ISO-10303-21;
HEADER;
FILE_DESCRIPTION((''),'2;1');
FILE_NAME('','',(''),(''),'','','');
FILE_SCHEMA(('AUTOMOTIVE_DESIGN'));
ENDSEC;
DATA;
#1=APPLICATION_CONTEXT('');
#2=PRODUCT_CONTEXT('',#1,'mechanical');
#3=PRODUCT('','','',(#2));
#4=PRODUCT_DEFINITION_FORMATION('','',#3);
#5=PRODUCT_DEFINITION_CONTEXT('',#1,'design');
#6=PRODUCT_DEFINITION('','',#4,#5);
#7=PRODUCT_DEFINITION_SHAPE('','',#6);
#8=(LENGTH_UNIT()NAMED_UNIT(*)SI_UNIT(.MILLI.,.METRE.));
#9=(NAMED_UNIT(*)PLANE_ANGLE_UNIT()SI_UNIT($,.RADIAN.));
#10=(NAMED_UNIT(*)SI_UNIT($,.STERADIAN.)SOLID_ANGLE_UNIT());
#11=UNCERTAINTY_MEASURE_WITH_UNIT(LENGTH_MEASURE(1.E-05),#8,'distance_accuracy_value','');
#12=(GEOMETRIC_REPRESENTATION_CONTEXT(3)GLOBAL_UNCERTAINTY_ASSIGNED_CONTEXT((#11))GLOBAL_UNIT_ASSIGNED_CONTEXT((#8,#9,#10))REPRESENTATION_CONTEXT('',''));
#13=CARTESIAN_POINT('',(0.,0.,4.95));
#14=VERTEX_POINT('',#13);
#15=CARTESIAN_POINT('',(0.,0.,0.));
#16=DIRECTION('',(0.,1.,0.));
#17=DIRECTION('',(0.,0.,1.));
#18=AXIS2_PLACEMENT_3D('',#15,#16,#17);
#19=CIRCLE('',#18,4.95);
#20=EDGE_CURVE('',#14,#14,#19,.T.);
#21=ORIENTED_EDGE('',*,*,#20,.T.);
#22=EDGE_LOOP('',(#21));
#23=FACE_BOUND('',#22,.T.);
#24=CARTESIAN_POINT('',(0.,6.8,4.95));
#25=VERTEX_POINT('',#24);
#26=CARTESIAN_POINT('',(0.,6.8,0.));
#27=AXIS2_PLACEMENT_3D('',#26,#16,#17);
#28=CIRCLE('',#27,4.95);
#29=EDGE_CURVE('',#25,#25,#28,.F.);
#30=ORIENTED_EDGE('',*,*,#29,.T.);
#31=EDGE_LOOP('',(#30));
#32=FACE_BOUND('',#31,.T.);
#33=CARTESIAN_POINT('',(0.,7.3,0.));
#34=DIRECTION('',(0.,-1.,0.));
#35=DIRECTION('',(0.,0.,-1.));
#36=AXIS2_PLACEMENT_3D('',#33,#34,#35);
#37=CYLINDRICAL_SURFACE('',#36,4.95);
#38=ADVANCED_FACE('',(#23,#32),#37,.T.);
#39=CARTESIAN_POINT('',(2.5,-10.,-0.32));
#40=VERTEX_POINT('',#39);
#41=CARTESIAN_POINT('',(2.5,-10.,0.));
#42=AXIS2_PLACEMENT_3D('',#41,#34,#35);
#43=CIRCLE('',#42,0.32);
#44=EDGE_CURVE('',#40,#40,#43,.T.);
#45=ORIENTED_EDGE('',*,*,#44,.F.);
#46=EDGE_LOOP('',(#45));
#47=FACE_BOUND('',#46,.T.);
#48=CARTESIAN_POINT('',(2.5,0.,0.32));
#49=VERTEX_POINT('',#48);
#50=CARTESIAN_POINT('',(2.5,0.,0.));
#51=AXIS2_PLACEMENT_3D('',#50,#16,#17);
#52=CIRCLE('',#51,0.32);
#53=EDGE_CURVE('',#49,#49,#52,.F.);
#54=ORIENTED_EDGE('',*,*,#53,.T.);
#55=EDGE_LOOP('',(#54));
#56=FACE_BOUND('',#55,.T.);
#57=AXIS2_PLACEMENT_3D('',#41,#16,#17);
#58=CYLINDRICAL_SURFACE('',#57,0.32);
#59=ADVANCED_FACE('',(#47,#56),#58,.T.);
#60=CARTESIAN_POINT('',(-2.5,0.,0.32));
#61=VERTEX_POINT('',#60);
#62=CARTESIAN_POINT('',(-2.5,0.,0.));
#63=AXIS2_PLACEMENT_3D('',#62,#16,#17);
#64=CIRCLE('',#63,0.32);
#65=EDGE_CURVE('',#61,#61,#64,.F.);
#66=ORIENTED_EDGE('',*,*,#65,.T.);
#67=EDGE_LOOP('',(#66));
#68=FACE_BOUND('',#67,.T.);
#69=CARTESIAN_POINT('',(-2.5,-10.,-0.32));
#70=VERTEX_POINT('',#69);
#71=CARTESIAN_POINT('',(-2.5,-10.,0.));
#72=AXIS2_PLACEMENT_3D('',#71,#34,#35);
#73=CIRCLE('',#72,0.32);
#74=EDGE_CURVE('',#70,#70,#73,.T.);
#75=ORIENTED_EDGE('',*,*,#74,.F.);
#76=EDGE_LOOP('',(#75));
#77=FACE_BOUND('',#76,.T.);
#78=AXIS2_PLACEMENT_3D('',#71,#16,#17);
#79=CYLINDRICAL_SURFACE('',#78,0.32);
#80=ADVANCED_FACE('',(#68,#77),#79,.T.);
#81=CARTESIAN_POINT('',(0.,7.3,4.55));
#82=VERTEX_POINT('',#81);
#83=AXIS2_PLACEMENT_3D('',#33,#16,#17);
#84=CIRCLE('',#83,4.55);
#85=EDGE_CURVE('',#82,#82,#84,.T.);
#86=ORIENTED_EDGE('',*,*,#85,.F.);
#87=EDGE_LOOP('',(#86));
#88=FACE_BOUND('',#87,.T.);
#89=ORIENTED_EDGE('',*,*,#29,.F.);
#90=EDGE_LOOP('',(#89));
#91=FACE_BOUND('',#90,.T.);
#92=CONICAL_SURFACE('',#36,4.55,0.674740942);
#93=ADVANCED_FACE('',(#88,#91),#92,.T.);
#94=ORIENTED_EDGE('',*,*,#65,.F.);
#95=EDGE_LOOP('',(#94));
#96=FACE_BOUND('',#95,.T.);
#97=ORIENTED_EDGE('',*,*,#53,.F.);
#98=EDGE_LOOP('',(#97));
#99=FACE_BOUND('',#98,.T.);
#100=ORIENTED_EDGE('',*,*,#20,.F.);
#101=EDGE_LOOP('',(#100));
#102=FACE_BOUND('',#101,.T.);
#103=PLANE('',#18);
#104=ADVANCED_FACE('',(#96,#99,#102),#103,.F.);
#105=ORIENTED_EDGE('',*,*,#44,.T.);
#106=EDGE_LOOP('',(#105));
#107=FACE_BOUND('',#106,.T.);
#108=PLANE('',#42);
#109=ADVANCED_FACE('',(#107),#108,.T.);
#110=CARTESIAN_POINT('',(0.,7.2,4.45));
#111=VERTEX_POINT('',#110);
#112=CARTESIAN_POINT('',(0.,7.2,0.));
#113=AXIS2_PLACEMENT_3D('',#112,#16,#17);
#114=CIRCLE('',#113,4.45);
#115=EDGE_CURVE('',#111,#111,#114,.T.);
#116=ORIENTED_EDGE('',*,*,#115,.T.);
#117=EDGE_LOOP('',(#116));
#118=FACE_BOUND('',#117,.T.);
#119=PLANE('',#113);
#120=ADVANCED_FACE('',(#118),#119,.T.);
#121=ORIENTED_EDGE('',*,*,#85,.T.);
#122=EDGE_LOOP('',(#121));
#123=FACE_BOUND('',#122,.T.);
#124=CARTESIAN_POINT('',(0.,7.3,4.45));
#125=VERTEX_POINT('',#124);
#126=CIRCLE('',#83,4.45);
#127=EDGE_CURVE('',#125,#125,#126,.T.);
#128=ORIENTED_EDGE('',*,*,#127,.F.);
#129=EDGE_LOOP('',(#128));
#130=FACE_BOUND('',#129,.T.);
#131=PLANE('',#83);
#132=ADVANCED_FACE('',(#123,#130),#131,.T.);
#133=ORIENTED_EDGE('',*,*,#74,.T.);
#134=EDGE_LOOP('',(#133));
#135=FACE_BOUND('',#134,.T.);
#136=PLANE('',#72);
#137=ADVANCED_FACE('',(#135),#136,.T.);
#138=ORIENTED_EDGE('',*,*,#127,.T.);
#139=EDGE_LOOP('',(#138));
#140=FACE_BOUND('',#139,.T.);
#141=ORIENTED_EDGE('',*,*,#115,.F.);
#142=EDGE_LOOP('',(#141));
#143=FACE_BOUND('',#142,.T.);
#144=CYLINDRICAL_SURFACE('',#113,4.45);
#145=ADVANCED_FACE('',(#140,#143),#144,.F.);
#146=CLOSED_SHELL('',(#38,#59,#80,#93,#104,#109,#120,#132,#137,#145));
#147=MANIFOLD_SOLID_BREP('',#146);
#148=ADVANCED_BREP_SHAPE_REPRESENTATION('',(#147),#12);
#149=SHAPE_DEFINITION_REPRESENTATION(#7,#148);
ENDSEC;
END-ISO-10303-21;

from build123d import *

# Parameters (mm, degrees)
SKETCH1_R           = 4.95
BOSS_EXTRUDE1_DEPTH = 7.3
CHAMFER1_SIZE       = 0.5
CHAMFER1_SIZE2      = 0.4
SKETCH2_R           = 0.32
BOSS_EXTRUDE2_DEPTH = 10
SKETCH3_R           = 4.45
CUT_EXTRUDE1_DEPTH  = 0.1


with BuildPart() as part:
    # Sketch1 → Boss-Extrude1 (new body)
    with BuildSketch(Plane(origin=(0, 0, 0), x_dir=(1, 0, 0), z_dir=(0, 1, 0))):
        Circle(SKETCH1_R)
    extrude(amount=BOSS_EXTRUDE1_DEPTH)

    # Chamfer1
    chamfer1_edges = [part.edges().sort_by_distance(p)[0] for p in [
        (-4.95, 7.3, 0),
    ]]
    chamfer1_side = [part.faces().sort_by_distance(p)[0] for p in [
        (-4.95, 3.65, 0),
    ]]
    chamfer(chamfer1_edges, length=CHAMFER1_SIZE, length2=CHAMFER1_SIZE2, reference=chamfer1_side[0])

    # Sketch2 → Boss-Extrude2 (add)
    with BuildSketch(Plane.XZ):
        with Locations((-2.5, 0)):
            Circle(SKETCH2_R)
        with Locations((2.5, 0)):
            Circle(SKETCH2_R)
    extrude(amount=BOSS_EXTRUDE2_DEPTH)

    # Sketch3 → Cut-Extrude1 (cut)
    with BuildSketch(Plane(origin=(0, 7.3, 0), x_dir=(1, 0, 0), z_dir=(0, 1, 0))):
        Circle(SKETCH3_R)
    extrude(amount=-CUT_EXTRUDE1_DEPTH, mode=Mode.SUBTRACT)


solid = part.part
